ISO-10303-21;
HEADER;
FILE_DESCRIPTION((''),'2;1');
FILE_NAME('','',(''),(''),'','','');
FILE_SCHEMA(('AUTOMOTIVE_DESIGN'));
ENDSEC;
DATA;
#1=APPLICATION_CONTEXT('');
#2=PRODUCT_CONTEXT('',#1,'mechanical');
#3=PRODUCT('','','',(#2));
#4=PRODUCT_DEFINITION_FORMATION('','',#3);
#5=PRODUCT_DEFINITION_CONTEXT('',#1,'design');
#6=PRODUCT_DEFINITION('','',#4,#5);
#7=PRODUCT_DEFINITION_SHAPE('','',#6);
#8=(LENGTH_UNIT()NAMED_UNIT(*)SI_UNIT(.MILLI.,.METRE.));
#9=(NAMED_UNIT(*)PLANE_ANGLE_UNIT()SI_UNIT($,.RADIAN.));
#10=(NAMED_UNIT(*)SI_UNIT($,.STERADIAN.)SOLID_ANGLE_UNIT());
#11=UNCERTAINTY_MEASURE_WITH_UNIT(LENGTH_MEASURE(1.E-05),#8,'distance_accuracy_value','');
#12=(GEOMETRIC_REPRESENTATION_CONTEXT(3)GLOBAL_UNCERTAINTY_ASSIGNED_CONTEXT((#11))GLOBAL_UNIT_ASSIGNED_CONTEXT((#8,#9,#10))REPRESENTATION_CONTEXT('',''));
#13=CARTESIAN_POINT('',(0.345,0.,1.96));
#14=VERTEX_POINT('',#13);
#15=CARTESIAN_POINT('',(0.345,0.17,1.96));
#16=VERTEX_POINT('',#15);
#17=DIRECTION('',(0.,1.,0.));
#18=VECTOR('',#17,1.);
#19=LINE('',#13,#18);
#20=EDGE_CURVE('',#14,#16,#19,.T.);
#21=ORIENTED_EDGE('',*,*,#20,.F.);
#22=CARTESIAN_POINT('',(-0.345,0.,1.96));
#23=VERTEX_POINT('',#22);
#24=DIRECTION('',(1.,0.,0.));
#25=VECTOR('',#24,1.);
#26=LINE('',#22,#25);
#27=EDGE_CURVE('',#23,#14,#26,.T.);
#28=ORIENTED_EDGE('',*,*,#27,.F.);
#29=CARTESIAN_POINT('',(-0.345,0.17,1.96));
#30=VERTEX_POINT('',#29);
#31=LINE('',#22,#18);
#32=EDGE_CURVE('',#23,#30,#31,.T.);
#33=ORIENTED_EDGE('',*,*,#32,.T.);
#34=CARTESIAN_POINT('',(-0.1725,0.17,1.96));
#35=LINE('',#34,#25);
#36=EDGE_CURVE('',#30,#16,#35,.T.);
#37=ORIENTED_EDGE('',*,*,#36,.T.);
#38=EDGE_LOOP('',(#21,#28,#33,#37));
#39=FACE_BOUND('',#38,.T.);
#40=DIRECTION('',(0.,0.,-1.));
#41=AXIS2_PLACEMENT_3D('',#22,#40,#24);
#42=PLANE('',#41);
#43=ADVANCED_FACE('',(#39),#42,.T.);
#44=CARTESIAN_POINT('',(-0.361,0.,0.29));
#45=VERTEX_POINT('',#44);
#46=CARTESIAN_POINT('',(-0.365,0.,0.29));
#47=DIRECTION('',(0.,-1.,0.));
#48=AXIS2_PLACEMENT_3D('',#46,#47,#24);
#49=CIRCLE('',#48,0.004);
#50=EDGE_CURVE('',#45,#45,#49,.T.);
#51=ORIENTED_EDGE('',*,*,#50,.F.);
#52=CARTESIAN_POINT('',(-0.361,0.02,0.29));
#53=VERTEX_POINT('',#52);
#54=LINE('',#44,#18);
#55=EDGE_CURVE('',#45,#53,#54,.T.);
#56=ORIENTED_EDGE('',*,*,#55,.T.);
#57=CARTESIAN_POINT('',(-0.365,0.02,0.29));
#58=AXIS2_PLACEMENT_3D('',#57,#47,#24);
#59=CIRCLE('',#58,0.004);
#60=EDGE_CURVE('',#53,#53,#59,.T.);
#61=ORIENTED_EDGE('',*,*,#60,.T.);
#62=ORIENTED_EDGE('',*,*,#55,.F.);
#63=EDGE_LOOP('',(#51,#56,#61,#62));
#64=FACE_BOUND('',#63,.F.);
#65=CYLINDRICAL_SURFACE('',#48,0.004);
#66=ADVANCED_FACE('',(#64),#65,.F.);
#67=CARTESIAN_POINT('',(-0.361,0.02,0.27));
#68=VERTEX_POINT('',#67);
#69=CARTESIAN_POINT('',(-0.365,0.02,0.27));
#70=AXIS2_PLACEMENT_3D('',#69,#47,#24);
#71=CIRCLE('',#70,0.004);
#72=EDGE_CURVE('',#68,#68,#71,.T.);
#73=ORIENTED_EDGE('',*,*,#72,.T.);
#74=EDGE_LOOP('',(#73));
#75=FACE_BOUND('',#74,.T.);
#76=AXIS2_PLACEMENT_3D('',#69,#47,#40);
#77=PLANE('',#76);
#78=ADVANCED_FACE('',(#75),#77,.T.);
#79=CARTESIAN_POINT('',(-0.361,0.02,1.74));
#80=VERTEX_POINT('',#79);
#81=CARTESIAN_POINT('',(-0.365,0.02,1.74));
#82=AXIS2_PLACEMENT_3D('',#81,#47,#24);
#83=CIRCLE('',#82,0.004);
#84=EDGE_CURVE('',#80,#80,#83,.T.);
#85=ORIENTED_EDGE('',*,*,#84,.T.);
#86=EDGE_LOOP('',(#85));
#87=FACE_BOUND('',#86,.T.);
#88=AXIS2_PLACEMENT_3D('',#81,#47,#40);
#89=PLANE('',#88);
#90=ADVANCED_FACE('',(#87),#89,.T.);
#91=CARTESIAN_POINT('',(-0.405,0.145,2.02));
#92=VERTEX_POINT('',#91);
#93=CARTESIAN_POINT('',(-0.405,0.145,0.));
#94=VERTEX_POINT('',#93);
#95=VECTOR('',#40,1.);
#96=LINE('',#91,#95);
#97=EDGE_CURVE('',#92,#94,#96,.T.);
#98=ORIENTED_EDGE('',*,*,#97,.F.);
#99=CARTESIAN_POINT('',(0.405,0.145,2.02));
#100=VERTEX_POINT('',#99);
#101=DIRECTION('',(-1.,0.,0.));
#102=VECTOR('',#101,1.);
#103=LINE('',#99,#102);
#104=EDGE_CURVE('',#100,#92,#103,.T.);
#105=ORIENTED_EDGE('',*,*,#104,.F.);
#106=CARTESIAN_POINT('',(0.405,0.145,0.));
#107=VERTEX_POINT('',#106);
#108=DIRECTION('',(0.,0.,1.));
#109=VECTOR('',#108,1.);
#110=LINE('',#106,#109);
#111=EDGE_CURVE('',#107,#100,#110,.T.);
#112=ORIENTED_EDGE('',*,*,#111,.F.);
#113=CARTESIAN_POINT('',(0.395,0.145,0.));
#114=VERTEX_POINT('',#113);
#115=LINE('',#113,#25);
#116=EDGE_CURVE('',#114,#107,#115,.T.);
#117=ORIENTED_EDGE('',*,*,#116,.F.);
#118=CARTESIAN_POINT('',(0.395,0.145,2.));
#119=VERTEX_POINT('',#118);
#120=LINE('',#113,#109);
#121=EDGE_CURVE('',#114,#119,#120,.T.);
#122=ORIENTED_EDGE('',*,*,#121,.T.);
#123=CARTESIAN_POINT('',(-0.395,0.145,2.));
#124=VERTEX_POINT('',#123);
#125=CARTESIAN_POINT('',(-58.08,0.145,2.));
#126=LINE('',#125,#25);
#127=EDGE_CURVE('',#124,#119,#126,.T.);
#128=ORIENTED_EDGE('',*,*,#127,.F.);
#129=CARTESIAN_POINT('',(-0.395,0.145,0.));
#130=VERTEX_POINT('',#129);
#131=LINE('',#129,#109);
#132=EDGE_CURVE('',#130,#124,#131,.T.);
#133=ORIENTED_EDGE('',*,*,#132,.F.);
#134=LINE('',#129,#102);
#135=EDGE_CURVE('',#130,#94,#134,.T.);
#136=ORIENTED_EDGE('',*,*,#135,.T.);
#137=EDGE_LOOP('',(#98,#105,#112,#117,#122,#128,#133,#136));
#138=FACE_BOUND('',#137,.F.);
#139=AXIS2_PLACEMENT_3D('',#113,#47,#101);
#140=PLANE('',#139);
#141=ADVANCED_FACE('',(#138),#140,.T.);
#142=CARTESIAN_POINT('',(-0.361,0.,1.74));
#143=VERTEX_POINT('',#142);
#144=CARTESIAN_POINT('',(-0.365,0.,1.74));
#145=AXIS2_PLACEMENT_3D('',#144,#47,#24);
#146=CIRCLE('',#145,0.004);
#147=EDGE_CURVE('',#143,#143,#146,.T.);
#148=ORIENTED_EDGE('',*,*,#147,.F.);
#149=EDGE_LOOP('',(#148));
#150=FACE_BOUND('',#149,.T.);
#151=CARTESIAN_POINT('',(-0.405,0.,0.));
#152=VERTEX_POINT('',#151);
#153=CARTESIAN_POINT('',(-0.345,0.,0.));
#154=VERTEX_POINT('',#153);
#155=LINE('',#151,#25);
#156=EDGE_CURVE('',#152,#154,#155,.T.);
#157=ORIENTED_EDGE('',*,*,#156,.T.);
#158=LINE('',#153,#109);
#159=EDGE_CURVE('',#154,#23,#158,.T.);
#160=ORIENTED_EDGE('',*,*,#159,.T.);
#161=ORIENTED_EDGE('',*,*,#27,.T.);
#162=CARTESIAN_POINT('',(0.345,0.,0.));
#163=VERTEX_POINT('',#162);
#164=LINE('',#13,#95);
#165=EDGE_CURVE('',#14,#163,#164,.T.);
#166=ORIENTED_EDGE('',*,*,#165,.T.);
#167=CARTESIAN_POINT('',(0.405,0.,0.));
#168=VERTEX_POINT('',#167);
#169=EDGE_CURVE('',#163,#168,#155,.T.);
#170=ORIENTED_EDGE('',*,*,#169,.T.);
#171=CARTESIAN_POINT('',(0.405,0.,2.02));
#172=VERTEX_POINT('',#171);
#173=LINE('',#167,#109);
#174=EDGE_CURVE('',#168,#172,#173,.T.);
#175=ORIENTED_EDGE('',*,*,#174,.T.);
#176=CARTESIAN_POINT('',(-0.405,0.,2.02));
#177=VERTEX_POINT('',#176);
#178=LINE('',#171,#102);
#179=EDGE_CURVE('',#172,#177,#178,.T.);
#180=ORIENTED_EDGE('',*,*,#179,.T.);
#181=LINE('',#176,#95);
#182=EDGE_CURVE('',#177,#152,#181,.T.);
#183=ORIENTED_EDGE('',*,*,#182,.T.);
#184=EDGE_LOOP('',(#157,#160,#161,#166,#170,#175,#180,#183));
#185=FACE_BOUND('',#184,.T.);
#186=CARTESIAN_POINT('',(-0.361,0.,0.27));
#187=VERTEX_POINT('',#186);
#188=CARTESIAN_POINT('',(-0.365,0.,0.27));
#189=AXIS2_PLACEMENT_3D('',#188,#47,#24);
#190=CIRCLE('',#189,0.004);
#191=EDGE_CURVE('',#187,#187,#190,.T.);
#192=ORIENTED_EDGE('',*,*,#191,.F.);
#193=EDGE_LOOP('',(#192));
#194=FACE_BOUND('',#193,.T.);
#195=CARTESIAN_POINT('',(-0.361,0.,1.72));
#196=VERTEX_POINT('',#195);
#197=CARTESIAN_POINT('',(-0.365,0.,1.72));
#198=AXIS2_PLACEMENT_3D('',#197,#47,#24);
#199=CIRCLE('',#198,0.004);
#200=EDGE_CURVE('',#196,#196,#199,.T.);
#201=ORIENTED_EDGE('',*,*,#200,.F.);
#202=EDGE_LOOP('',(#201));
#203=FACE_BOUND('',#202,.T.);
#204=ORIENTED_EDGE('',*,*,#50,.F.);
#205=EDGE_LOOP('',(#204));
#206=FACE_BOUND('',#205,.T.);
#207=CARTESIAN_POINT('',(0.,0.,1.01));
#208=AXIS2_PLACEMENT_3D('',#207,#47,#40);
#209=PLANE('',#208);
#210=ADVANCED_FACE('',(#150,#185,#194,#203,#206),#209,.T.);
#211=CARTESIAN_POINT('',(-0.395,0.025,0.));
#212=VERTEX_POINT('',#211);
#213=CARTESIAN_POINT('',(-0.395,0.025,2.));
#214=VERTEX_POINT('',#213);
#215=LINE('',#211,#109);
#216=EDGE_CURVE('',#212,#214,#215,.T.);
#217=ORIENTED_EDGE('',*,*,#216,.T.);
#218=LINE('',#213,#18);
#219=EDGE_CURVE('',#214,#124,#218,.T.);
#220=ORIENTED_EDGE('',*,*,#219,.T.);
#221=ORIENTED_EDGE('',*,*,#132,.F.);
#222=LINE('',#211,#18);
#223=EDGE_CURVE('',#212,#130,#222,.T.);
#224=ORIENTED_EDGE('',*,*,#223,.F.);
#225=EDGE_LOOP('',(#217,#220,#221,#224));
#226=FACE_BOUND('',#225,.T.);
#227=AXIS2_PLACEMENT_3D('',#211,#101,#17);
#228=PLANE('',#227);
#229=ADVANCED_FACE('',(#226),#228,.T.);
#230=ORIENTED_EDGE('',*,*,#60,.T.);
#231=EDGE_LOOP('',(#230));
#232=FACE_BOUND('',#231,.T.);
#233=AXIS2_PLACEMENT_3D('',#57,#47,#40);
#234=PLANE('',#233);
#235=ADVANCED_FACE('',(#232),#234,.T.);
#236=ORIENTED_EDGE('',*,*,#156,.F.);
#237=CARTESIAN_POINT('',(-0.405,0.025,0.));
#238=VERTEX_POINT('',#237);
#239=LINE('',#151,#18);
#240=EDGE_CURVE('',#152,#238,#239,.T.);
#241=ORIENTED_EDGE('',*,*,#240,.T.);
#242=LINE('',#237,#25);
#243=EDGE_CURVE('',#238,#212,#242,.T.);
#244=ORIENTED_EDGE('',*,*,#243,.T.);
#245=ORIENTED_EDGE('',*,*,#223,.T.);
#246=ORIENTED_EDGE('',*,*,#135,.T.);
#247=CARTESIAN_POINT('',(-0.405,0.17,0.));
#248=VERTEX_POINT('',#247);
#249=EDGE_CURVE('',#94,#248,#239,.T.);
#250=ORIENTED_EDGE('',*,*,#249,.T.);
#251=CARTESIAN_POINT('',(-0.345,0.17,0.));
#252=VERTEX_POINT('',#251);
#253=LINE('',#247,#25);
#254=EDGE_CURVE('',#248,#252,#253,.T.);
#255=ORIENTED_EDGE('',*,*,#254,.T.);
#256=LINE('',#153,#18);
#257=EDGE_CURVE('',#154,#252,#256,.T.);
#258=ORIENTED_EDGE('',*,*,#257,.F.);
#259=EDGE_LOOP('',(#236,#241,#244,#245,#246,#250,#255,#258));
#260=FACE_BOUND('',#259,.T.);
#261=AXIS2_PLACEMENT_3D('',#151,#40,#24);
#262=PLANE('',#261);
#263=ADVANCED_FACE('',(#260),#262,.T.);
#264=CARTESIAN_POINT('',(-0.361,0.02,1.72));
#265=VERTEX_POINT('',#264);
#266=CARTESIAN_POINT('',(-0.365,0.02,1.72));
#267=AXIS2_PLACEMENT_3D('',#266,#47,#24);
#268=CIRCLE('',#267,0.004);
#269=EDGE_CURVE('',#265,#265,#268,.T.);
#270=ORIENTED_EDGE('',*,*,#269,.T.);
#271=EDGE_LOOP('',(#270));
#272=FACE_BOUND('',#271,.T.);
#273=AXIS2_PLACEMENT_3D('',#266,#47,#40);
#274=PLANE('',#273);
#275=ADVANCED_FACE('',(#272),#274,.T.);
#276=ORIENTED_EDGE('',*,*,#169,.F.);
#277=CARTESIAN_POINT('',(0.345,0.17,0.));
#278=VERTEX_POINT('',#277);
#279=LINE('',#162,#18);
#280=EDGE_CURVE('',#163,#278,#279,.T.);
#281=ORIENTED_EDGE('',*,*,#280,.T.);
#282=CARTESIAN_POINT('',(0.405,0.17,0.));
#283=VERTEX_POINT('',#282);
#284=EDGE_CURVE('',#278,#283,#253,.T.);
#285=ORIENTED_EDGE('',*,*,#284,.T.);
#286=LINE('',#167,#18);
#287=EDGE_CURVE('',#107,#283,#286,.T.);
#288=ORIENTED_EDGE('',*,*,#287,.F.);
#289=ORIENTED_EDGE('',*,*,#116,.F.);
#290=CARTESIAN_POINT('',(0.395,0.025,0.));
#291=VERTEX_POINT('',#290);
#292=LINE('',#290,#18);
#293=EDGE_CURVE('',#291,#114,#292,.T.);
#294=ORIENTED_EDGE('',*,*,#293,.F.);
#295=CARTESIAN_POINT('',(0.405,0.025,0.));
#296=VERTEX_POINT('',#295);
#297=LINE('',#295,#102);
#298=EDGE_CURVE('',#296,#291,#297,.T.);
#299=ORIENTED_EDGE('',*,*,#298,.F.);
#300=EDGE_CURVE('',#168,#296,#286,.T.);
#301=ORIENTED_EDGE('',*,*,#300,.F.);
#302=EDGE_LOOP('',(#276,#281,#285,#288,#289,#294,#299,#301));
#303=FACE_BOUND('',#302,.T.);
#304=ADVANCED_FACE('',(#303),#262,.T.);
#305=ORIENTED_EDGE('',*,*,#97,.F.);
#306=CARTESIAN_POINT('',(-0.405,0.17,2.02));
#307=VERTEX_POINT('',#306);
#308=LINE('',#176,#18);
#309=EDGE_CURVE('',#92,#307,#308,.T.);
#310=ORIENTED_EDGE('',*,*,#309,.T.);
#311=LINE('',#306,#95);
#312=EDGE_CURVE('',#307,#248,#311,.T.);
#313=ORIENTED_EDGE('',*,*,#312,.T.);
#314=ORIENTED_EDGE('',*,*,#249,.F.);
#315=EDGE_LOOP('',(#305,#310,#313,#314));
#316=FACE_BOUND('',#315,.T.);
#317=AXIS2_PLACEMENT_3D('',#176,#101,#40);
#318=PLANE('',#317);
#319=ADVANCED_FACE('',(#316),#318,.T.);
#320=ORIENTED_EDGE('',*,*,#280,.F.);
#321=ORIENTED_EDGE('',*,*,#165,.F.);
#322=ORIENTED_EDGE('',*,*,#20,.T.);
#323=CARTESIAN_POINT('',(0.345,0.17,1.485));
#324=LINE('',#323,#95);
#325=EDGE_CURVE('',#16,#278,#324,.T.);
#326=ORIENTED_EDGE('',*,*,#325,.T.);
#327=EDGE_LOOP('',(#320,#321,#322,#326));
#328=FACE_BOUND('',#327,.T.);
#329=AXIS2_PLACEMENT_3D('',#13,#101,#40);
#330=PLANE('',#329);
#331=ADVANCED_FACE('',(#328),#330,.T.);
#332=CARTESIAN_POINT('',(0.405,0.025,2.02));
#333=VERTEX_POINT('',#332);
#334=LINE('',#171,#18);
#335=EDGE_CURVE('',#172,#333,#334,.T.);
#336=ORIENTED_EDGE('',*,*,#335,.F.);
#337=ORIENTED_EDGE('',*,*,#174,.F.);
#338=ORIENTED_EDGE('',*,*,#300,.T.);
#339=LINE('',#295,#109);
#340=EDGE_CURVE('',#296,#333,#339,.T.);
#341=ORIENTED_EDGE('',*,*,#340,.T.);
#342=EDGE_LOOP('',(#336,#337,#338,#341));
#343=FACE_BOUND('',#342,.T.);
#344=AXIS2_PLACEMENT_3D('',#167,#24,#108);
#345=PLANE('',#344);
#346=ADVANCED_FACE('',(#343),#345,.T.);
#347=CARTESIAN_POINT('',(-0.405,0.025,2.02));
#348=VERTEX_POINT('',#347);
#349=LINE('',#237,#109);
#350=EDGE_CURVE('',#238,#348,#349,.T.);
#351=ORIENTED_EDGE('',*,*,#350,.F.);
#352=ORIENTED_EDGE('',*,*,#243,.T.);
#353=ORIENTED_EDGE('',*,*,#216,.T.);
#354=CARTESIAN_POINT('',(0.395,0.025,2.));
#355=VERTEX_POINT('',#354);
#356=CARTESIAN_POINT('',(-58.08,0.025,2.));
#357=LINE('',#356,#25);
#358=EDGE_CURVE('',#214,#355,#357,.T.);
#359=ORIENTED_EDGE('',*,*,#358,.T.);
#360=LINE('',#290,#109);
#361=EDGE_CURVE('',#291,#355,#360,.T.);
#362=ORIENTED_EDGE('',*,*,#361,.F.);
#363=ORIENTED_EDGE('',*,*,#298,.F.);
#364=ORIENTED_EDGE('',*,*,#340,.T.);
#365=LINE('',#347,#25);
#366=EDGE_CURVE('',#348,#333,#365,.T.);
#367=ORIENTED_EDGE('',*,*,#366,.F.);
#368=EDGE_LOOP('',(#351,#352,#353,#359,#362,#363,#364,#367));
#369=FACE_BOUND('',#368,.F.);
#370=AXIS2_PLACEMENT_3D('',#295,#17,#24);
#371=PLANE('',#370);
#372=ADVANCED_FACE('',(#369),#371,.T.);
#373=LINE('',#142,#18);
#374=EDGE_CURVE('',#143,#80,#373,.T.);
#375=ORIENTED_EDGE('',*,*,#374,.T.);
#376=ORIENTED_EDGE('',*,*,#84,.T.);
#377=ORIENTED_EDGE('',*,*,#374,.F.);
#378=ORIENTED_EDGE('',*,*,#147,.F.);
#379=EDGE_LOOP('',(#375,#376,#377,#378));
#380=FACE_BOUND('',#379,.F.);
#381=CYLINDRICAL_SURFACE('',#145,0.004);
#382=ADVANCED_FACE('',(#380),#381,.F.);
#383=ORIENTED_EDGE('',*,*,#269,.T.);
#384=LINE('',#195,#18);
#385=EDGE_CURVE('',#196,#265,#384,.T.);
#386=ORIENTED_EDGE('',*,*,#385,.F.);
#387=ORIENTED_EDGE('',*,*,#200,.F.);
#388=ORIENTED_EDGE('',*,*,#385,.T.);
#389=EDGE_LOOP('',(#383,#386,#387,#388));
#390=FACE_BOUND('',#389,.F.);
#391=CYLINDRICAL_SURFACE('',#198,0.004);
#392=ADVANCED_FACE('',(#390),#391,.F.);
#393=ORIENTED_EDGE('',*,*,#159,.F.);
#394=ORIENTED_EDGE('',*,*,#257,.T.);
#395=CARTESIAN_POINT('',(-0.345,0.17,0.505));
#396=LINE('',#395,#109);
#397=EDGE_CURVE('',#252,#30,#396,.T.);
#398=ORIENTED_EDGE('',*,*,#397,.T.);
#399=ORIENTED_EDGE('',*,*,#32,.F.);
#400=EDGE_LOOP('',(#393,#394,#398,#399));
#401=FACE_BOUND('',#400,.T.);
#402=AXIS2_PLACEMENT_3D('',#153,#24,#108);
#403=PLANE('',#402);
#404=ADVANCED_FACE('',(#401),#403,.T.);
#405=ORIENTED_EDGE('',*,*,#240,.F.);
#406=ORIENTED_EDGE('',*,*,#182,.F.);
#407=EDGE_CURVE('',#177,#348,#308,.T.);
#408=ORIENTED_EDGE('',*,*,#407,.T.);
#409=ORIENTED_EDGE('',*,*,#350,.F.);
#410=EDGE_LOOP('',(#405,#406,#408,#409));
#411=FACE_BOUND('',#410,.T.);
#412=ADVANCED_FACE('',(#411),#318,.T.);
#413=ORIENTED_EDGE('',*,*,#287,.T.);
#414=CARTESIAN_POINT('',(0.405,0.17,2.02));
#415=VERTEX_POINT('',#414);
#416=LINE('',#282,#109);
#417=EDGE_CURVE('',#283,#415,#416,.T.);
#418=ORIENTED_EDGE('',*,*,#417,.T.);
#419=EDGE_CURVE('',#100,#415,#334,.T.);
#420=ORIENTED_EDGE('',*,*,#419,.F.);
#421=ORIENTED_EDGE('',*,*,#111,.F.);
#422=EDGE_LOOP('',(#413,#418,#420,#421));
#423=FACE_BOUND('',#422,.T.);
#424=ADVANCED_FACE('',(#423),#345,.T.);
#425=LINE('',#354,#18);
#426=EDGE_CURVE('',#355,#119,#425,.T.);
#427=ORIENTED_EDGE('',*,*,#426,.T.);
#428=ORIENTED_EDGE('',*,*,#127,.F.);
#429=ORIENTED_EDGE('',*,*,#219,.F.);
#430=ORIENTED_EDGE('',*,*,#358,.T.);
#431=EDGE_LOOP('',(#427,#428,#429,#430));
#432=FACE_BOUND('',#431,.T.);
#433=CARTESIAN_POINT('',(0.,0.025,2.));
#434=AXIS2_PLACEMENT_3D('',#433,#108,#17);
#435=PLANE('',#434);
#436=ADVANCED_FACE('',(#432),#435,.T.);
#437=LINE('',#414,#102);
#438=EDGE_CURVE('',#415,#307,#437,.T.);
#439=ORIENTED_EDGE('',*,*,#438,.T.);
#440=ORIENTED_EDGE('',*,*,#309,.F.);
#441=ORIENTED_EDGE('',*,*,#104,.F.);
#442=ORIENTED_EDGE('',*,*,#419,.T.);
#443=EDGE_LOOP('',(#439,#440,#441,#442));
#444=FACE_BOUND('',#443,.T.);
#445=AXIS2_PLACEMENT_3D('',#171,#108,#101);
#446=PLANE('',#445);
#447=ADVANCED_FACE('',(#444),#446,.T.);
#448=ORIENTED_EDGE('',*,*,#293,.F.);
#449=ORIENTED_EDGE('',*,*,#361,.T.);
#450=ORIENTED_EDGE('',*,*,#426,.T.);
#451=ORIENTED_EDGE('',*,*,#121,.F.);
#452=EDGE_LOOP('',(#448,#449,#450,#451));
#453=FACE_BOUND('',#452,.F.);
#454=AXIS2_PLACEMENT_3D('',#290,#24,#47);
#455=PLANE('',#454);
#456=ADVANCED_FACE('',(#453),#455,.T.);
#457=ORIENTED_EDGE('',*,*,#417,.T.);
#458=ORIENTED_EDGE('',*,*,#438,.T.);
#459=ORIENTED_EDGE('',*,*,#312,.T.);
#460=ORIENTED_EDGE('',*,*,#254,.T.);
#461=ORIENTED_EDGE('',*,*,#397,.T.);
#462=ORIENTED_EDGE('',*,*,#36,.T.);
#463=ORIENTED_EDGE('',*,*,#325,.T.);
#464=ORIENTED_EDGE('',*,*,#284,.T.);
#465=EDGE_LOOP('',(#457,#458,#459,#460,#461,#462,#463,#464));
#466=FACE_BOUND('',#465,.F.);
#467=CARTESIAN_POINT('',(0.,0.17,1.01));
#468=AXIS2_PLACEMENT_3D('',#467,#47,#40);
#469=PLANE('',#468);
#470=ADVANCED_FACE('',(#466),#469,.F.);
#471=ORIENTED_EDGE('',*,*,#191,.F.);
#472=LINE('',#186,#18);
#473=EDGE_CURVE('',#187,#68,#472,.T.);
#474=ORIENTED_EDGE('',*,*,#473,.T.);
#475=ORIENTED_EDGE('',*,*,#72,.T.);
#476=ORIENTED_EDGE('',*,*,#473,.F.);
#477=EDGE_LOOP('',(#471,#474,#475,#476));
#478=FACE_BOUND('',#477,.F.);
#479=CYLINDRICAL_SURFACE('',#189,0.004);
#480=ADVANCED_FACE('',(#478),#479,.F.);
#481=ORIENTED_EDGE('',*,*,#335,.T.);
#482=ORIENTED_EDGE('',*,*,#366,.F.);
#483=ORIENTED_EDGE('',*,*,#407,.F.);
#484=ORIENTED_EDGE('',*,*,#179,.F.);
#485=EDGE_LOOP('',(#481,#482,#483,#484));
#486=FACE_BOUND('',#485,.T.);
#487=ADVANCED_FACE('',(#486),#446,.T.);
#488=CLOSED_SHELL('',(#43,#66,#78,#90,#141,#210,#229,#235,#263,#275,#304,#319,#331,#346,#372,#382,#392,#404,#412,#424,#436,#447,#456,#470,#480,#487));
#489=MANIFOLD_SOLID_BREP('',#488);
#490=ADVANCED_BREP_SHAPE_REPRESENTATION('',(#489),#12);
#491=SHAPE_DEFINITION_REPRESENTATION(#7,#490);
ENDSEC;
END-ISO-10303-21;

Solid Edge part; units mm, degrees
sketch "Sketch1" plane through (0, 0, 0) normal (0, -1, 0) x (1, 0, 0)
  line L0 (-0.405, 0) -> (0.405, 0)
  line L1 (0.405, 0) -> (0.405, 2.02)
  line L2 (0.405, 2.02) -> (-0.405, 2.02)
  line L3 (-0.405, 2.02) -> (-0.405, 0)
  dimension "D1" = 2.02
  dimension "D2" = 0.81
extrude "Protrusion1" add sketch "Sketch1" against normal blind 0.17
sketch "Sketch2" plane through (0, 0.085, 0) normal (0, 0, -1) x (1, 0, 0)
  line L0 (-0.405, -0.06) -> (-0.405, 0.06)
  line L1 (-0.405, 0.06) -> (-0.395, 0.06)
  line L2 (-0.395, 0.06) -> (-0.395, -0.06)
  line L3 (-0.395, -0.06) -> (-0.405, -0.06)
  dimension "D1" = 0.12
  dimension "D2" = 0.01
extrude "Cutout1" cut sketch "Sketch2" against normal through all
mirror "Mirror1" about plane through (0, 0, 0) normal (1, 0, 0) of "Cutout1"
sketch "Sketch3" plane through (0, 0, 0) normal (1, 0, 0) x (0, 1, 0)
  line L0 (0.025, 2.02) -> (0.025, 2)
  line L1 (0.025, 2) -> (0.145, 2)
  line L2 (0.145, 2.02) -> (0.145, 2)
  line L3 (0.145, 2.02) -> (0.025, 2.02)
  dimension "D1" = 0.02
extrude "Cutout3" cut sketch "Sketch3" along normal through all and the other way through all
sketch "Sketch4" plane through (0, 0, 1.01) normal (0, -1, 0) x (1, 0, 0)
  line L0 (-0.345, -1.01) -> (0.345, -1.01)
  line L1 (0.345, 0.95) -> (0.345, -1.01)
  line L2 (-0.345, 0.95) -> (0.345, 0.95)
  line L3 (-0.345, -1.01) -> (-0.345, 0.95)
  dimension "D1" = 0.69
  dimension "D2" = 1.96
extrude "Cutout4" cut sketch "Sketch4" against normal through all
sketch "Sketch5" plane through (0, 0, 1.01) normal (0, -1, 0) x (1, 0, 0)
  circle A0 centre (-0.365, -0.72) radius 0.004
  circle A1 centre (-0.365, 0.71) radius 0.004
  circle A2 centre (-0.365, 0.73) radius 0.004
  circle A3 centre (-0.365, -0.74) radius 0.004
  dimension "D1" = 0.008
  dimension "D2" = 0.02
  dimension "D3" = 0.27
  dimension "D4" = 0.02
  dimension "D5" = 1.45
extrude "Ausschnitt_5" cut sketch "Sketch5" against normal blind 0.02
